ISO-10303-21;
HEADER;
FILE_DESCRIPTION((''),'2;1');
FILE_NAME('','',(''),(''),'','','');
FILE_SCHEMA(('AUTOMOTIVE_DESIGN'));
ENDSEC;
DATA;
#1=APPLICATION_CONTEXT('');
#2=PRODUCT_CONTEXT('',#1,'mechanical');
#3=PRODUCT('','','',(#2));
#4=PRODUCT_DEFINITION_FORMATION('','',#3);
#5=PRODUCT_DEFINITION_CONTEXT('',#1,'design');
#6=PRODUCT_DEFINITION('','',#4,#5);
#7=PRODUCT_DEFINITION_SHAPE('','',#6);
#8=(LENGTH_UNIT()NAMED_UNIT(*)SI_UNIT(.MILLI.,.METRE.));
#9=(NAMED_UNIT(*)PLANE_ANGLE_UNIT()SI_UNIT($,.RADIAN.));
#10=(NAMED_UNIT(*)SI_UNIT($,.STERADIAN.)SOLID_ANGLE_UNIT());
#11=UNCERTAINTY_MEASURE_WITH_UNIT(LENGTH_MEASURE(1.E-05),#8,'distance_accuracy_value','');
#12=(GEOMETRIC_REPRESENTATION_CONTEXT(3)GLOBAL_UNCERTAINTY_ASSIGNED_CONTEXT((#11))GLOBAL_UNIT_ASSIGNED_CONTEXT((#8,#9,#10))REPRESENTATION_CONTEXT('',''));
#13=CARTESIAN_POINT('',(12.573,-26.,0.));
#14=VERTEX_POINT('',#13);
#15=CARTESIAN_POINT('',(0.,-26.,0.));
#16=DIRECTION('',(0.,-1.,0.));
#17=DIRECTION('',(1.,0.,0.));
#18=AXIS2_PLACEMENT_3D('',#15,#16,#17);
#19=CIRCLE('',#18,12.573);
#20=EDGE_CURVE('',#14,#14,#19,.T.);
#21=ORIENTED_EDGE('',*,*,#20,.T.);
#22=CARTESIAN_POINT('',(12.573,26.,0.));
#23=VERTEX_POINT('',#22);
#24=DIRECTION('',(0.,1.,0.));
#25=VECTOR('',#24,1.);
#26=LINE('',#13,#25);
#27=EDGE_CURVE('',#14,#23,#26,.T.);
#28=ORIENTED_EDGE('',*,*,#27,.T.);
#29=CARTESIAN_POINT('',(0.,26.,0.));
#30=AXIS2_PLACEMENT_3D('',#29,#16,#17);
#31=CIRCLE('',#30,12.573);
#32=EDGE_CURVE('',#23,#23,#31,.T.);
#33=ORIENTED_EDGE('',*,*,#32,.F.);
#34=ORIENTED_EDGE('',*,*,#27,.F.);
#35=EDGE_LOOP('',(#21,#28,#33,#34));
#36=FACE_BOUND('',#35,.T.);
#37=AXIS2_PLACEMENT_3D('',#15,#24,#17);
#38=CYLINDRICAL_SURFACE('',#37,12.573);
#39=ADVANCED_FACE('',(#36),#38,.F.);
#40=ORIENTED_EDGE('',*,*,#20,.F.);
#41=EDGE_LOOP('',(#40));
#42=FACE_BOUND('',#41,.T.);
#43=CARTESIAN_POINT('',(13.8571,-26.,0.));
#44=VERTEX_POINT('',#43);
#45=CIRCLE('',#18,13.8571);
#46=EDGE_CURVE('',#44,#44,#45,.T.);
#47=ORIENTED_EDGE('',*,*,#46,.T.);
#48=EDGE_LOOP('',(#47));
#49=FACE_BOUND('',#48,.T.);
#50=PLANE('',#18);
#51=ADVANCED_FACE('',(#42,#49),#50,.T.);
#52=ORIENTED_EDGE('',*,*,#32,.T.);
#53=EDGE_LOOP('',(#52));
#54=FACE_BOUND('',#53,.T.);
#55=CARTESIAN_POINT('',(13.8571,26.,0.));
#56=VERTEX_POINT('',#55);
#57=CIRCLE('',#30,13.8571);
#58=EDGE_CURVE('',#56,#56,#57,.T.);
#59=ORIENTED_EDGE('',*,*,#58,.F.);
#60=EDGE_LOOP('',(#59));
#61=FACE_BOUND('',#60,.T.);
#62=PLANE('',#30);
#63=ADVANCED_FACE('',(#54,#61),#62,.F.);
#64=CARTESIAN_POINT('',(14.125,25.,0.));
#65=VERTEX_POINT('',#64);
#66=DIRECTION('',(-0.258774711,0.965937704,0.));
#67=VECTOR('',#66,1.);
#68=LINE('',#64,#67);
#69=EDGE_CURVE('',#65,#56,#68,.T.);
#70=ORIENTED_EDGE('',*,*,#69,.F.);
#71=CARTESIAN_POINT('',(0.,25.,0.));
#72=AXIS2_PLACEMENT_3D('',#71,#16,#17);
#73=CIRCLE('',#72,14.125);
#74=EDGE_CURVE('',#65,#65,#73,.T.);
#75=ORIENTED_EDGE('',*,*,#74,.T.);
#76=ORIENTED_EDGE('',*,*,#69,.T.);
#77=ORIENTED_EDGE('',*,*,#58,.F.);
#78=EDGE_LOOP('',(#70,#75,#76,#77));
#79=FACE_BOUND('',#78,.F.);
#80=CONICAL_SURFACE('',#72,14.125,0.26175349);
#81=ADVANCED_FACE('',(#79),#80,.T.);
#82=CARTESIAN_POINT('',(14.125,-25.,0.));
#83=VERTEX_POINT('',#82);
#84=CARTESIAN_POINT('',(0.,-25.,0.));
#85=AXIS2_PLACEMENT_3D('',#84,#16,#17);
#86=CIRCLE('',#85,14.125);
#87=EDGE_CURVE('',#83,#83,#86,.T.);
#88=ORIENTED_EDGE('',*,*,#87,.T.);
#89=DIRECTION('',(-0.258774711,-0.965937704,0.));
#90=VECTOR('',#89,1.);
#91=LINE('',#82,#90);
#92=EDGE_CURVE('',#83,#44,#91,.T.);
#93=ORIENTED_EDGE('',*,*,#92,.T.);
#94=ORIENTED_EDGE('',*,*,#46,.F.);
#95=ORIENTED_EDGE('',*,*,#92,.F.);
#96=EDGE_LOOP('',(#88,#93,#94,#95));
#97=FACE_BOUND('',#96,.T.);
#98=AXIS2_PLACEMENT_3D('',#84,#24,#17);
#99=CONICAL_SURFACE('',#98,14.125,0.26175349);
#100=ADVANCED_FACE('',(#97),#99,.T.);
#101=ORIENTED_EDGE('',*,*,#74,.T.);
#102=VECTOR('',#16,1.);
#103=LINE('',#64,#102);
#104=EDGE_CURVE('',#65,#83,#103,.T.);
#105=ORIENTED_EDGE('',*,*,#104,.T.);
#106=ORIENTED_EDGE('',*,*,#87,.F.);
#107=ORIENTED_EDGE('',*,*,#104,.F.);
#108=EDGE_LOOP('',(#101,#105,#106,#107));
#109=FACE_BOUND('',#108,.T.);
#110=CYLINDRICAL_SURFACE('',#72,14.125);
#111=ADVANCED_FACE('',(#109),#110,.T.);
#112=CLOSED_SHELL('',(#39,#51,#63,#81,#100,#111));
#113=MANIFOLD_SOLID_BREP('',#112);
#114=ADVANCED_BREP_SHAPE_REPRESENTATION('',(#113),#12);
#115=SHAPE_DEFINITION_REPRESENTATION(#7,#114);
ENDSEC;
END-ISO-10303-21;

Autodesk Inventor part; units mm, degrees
ref_plane "YZ Plane" through (0, 0, 0) normal (1, 0, 0) x (0, 1, 0)
ref_plane "XZ Plane" through (0, 0, 0) normal (0, 1, 0) x (-1, 0, 0)
ref_plane "XY Plane" through (0, 0, 0) normal (0, 0, 1) x (1, 0, 0)
sketch "Эскиз1" plane through (0, 0, 0) normal (0, 0, 1) x (1, 0, 0)
  line L0 (0, 26) -> (0, -26)
  line L1 (12.573, 26) -> (13.8571, 26)
  line L2 (14.125, 25) -> (14.125, -25)
  line L3 (13.8571, -26) -> (12.573, -26)
  line L4 (12.573, -26) -> (12.573, 26)
  line L5 (14.125, 25) -> (13.8571, 26)
  line L6 (14.125, -25) -> (13.8571, -26)
  point P0 (0, 0)
  point P1 (0, 0)
  point P2 (14.125, -26)
  point P3 (14.125, 26)
  dimension "d0" = 52
  dimension "d1" = 28.25
  dimension "d2" = 25.146
  dimension "d3" = 1
  dimension "d4" = 15
  dimension "d5" = 1
  dimension "d6" = 15
revolve "Вращение1" add sketch "Эскиз1" angle 360 about axis through (0, 26, 0) along (0, -1, 0)
equation "\"d5\" = d3"
equation "\"d6\" = d4"
properties part number "75. Втулка блока заднего хода"
